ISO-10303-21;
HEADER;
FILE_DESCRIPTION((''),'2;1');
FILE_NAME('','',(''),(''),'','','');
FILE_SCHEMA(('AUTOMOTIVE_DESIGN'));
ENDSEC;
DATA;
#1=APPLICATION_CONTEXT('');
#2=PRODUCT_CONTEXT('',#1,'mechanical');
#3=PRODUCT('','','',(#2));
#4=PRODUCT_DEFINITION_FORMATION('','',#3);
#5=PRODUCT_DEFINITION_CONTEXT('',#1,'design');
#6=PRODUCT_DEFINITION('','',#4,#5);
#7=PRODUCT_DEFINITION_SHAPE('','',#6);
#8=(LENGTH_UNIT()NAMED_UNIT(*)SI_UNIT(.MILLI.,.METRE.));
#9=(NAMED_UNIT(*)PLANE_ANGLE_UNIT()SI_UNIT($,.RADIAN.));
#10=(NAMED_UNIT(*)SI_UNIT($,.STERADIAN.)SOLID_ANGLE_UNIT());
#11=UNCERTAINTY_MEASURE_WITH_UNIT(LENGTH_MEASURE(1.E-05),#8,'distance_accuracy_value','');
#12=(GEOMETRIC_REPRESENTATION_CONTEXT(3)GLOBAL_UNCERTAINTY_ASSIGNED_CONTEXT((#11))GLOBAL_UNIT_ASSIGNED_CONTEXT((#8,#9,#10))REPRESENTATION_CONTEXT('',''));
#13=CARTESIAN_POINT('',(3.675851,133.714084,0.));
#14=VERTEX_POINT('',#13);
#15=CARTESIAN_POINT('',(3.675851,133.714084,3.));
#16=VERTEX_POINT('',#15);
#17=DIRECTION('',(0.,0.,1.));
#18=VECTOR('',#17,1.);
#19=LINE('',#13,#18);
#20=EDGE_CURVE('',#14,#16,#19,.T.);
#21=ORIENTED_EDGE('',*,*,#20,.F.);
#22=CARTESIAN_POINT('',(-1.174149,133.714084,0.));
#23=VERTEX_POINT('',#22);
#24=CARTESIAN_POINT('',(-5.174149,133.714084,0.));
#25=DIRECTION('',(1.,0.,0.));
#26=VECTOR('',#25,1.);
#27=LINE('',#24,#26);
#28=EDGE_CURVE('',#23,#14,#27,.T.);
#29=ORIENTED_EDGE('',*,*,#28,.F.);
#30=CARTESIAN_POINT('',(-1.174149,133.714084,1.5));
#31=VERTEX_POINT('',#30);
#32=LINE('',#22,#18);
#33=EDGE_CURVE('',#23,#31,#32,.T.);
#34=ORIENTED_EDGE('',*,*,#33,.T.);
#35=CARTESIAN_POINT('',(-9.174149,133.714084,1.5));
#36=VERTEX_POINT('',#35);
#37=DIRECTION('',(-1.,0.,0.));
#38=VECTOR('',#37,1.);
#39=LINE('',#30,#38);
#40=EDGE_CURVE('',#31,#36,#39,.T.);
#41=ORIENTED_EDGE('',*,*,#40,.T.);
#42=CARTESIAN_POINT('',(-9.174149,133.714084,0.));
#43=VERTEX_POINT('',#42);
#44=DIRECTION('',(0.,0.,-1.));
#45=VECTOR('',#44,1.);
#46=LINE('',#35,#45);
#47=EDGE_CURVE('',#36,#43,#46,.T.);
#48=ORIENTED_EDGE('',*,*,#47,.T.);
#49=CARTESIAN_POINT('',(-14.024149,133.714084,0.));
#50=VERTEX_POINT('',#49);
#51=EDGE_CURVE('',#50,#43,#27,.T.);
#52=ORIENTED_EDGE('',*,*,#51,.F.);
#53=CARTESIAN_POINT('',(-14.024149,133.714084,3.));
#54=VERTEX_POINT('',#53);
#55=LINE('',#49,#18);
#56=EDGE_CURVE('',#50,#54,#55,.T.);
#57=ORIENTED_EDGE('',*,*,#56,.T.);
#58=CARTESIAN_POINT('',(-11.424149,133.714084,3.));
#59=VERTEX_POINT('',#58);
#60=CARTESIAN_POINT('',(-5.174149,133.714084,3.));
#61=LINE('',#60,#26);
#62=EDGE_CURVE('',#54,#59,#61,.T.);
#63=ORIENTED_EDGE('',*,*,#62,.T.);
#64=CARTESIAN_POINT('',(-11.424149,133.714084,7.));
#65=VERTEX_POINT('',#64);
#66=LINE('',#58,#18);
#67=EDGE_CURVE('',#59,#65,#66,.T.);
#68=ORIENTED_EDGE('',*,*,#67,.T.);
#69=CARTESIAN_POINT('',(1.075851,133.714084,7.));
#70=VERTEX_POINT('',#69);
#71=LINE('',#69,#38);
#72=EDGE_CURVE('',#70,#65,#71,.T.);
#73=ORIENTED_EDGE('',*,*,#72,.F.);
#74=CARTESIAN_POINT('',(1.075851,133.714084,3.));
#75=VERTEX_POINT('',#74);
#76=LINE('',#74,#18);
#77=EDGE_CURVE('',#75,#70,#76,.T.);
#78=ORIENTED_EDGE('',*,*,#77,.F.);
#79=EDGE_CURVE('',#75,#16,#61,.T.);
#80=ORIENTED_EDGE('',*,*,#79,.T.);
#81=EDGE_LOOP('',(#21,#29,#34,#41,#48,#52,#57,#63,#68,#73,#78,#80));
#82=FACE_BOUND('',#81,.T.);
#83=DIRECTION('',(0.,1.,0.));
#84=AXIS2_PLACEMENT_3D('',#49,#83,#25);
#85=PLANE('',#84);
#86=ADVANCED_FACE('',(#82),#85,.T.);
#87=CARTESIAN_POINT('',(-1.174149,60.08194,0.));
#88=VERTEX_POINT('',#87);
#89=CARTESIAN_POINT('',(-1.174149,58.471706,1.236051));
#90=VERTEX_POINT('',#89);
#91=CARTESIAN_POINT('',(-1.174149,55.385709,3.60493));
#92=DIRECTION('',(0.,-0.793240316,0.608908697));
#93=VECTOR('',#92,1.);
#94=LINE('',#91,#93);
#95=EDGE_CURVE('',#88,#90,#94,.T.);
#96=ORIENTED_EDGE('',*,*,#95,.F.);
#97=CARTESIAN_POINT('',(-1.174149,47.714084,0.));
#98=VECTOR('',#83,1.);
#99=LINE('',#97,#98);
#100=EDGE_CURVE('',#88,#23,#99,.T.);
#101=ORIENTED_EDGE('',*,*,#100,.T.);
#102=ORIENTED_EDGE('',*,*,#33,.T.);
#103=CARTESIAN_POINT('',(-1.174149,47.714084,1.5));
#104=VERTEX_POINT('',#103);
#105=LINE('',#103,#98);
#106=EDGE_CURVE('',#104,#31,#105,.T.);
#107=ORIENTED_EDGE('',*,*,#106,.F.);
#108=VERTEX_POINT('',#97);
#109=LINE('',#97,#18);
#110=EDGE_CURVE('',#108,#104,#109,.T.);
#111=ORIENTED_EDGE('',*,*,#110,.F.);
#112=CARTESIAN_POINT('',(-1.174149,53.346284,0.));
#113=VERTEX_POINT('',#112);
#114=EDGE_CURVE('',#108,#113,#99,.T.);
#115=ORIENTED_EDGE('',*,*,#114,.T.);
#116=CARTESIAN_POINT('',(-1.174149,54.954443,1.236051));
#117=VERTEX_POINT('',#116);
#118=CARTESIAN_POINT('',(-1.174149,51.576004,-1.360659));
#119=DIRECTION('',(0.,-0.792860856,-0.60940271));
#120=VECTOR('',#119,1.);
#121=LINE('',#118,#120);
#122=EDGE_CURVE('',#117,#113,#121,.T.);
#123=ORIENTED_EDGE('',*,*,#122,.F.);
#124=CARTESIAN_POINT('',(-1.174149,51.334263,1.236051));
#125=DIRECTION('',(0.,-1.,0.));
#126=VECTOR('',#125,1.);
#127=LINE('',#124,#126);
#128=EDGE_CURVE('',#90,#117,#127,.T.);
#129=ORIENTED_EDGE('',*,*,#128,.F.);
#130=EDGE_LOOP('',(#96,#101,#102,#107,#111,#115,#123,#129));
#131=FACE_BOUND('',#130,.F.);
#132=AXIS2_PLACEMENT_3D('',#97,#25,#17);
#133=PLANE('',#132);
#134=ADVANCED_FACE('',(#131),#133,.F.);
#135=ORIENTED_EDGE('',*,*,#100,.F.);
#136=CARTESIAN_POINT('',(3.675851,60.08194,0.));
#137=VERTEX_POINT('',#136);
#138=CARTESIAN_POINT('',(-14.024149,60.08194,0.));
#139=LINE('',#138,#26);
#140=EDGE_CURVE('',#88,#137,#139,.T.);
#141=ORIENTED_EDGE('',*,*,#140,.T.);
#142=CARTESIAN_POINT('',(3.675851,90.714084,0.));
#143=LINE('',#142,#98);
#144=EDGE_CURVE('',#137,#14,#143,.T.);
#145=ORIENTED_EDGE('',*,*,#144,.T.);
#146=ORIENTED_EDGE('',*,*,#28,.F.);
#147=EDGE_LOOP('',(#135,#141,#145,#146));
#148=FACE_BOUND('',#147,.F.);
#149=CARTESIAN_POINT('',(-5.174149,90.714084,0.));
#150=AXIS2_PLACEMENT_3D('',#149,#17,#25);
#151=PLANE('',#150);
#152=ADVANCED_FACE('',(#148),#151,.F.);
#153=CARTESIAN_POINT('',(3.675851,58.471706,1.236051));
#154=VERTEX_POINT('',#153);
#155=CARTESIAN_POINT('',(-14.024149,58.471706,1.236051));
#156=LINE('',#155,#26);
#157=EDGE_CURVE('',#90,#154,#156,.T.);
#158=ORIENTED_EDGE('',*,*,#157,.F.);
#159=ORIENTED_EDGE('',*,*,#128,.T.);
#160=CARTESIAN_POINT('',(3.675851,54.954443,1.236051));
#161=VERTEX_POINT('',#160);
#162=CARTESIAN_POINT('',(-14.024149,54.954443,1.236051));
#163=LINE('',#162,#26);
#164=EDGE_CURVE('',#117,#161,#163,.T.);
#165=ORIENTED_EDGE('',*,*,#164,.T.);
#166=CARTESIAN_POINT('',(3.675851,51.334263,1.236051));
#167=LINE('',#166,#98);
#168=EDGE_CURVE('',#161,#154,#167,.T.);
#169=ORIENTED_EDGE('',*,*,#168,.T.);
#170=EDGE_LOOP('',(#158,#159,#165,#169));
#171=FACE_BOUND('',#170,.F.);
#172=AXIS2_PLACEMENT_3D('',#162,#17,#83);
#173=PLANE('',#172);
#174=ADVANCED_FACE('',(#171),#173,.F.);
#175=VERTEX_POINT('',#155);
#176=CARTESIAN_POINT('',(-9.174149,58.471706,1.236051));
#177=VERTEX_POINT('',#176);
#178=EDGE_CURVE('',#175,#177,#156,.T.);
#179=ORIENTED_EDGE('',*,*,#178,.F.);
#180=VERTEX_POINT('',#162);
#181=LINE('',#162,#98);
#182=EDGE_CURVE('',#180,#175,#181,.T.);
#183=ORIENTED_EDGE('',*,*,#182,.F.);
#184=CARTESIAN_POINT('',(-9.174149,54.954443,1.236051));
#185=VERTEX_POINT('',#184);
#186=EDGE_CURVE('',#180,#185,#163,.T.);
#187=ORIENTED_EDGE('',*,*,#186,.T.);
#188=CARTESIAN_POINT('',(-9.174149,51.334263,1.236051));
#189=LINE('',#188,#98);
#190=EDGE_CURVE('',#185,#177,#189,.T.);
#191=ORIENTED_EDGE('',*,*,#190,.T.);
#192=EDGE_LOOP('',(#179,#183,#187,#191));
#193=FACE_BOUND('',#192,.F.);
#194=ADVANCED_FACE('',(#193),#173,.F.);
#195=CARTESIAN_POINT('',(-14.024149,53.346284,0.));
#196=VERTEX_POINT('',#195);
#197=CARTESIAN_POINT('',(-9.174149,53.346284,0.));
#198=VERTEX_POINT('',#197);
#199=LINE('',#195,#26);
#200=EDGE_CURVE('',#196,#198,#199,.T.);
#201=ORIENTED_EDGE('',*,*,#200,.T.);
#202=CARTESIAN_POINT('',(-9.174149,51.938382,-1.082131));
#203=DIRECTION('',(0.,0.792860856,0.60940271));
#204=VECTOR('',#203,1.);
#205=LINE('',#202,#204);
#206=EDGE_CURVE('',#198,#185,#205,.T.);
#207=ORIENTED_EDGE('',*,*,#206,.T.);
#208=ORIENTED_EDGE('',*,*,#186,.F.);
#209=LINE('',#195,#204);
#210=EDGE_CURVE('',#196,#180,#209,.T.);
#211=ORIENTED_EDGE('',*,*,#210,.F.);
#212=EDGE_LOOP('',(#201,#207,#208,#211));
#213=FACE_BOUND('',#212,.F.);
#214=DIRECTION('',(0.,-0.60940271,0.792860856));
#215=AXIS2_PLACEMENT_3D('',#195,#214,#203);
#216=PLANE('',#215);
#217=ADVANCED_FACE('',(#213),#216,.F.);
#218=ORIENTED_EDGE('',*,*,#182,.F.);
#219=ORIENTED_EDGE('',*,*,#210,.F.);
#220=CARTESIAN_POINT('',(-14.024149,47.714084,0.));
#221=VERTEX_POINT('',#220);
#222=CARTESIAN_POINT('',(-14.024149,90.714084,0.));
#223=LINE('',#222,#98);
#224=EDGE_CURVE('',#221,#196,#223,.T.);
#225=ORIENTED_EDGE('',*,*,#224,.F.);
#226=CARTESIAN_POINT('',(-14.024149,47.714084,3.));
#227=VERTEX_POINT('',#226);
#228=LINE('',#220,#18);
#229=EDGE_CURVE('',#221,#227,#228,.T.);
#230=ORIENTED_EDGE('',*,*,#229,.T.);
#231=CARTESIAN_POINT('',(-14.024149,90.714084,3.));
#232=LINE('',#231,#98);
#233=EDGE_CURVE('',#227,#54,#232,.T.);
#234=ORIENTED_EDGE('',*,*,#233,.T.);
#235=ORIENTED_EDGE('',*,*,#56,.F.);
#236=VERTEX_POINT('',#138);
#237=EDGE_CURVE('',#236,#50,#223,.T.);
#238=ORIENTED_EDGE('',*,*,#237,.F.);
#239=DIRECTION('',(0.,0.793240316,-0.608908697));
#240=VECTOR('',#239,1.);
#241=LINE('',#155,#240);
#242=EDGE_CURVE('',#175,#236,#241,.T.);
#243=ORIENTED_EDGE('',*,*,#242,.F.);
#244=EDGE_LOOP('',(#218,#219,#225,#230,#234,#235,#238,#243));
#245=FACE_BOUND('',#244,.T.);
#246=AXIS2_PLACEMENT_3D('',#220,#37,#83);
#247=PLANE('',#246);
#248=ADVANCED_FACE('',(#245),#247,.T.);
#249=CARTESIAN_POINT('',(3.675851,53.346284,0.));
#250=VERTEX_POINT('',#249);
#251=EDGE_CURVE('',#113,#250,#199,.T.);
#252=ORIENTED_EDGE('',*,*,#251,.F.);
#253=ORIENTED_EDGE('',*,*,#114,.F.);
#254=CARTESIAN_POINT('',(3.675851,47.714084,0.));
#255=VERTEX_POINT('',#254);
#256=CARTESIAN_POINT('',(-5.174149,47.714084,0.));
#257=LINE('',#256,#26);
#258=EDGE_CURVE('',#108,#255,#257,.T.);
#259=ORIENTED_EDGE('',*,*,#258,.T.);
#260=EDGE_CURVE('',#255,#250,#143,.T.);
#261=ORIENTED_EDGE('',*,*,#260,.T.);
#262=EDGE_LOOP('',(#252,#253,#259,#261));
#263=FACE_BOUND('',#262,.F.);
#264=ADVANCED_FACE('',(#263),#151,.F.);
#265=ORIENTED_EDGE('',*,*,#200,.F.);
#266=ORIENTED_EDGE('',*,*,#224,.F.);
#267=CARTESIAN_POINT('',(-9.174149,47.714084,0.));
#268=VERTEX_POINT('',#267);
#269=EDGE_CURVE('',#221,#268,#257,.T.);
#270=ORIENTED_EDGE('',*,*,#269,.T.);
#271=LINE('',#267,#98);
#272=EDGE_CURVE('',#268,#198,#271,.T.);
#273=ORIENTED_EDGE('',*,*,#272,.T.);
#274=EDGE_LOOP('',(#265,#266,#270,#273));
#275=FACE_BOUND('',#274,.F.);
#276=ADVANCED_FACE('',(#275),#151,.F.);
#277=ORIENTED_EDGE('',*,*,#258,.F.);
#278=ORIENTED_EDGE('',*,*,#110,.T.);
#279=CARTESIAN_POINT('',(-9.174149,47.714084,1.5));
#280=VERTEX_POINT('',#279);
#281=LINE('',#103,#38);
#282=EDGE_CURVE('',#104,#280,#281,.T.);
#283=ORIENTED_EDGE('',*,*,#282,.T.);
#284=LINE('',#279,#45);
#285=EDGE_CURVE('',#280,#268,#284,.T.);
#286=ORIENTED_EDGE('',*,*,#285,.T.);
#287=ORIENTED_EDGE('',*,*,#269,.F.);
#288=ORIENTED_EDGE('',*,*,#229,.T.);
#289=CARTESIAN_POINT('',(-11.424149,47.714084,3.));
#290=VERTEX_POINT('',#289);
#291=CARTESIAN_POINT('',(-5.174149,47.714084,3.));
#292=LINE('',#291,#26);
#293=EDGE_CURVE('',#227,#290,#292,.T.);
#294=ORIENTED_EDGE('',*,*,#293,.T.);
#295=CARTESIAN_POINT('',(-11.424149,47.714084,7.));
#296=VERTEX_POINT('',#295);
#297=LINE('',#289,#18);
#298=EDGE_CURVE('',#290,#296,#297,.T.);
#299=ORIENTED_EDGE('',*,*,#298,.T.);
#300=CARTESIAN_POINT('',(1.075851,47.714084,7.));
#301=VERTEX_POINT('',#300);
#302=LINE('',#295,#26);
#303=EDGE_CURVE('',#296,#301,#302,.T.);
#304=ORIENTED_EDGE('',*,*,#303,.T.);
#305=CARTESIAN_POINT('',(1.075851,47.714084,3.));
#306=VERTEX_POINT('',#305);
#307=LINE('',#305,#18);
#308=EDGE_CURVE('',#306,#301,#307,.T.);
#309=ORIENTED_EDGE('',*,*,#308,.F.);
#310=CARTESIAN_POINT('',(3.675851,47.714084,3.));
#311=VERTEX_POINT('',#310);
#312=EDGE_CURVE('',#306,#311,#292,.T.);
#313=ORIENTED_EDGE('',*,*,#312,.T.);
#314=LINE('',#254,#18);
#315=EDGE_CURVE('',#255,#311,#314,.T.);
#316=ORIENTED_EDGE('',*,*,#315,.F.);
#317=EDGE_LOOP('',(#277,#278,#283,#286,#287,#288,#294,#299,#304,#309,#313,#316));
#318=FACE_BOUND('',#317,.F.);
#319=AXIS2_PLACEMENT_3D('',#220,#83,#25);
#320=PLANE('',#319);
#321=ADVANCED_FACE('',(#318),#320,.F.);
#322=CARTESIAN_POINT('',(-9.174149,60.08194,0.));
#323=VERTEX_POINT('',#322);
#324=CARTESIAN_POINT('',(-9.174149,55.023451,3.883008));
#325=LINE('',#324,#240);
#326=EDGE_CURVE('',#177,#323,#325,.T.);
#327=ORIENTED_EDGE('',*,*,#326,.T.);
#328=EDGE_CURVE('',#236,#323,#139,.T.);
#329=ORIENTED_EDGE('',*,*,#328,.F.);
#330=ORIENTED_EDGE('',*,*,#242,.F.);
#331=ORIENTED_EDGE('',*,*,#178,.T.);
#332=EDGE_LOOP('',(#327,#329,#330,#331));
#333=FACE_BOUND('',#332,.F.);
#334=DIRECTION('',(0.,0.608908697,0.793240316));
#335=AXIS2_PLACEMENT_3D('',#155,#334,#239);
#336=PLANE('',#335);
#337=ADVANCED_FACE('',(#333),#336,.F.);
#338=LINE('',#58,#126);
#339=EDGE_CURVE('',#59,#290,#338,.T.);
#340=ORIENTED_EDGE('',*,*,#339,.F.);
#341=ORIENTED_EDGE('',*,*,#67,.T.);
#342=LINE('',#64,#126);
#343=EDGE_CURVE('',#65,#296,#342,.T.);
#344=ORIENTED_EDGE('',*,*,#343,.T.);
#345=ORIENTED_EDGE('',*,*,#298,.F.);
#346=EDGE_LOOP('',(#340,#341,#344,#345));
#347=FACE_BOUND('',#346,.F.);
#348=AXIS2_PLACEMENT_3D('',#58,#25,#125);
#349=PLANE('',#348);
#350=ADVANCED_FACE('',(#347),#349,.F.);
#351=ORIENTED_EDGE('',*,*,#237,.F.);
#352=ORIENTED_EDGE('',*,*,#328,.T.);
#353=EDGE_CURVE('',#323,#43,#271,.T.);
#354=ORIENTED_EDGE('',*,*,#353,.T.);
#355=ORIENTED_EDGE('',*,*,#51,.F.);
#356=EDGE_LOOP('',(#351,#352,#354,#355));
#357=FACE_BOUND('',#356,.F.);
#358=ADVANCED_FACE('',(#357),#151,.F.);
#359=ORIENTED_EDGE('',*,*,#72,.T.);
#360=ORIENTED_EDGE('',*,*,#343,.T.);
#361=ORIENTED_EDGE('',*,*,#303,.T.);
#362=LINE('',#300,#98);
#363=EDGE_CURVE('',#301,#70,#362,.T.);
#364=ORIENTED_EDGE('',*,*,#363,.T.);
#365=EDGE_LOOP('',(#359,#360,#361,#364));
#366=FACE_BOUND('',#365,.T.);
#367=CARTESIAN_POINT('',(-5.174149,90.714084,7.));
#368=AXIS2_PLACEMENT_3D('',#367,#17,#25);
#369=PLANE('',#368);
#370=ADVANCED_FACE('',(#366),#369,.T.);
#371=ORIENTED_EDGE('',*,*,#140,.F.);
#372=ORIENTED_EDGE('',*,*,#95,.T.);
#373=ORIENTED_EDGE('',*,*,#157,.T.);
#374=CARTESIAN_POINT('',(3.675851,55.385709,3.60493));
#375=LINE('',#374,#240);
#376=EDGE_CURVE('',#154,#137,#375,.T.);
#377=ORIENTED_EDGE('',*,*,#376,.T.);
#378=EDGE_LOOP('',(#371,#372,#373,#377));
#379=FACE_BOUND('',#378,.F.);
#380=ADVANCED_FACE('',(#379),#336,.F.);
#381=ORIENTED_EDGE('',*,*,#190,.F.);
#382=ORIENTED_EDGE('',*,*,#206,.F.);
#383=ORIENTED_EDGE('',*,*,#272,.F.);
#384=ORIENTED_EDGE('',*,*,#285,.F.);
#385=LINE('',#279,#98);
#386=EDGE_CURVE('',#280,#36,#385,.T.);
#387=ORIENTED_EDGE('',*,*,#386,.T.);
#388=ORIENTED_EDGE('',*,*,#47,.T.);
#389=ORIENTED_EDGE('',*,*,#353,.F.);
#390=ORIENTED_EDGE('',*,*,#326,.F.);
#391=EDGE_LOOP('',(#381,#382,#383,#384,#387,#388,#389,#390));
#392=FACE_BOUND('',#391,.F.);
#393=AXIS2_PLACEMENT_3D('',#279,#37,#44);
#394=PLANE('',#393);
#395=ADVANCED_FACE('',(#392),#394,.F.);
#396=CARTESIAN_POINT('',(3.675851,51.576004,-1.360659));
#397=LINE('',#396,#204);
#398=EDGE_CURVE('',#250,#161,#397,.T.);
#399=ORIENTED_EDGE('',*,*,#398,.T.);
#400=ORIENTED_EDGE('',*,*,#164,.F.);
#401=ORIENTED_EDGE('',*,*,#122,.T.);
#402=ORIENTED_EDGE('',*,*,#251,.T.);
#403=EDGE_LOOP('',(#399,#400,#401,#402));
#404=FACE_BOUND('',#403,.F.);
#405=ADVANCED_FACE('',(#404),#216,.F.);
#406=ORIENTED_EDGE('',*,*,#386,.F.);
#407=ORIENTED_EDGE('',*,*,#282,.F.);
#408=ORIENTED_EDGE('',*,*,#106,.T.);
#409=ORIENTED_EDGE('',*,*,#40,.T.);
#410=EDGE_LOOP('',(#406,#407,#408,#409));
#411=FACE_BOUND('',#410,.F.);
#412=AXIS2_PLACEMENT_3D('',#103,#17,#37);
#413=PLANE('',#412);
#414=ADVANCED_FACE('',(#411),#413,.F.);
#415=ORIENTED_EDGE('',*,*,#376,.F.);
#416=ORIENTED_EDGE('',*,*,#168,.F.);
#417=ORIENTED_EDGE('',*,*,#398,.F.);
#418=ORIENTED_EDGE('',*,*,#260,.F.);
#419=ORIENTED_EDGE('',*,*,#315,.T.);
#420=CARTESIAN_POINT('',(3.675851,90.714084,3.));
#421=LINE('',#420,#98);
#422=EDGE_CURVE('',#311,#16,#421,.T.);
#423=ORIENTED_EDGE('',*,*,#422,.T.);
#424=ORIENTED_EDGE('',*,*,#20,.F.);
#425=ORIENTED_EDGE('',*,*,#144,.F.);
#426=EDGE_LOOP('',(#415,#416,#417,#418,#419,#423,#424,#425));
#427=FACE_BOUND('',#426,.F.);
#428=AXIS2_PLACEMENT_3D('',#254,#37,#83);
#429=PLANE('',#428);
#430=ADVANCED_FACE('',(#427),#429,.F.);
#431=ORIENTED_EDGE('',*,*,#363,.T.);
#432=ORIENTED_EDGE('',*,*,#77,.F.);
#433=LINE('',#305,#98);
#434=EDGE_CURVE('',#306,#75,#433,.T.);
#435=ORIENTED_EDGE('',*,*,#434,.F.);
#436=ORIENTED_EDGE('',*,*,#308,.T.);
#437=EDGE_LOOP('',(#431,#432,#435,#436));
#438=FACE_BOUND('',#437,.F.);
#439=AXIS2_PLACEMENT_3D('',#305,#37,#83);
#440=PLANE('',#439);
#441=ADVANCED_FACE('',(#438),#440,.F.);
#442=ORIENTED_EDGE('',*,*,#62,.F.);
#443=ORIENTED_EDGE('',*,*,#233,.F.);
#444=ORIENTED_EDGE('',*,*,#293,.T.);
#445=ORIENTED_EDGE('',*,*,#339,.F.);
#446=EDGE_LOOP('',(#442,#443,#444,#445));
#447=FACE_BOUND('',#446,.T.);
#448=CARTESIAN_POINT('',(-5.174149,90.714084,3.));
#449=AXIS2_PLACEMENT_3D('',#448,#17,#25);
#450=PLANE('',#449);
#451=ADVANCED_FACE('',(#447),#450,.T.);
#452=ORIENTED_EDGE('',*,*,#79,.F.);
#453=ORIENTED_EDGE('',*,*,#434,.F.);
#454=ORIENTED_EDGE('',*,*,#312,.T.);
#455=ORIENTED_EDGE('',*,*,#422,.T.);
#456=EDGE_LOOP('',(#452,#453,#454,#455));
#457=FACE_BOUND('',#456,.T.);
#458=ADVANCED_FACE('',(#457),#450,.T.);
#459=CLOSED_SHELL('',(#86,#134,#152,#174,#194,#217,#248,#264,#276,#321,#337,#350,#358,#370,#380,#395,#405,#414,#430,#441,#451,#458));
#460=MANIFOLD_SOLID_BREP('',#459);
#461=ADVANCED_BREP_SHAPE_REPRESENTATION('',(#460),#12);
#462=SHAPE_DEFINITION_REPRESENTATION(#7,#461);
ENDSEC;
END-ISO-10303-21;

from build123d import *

# Parameters (mm, degrees)
F0_W     = 17.7
F0_H     = 86
F1_DEPTH = 3
F3_DEPTH = 4
F5_DEPTH = 86
F7_DEPTH = 25


with BuildPart() as f1:
    # F0 (on Top) → F1 (new body)
    with BuildSketch(Plane.XY):
        with Locations((-5.174149, 90.714084)):
            Rectangle(F0_W, F0_H)
    extrude(amount=F1_DEPTH)

    # F2 (on face) → F3 (join)
    with BuildSketch(Plane.XY.offset(3)):
        Polygon((-11.424149, 47.714084), (-5.174149, 47.714084), (1.075851, 47.714084), (1.075851, 133.714084), (-11.424149, 133.714084), align=None)
    extrude(amount=F3_DEPTH)

    # F4 (on face) → F5 (cut)
    with BuildSketch(Plane.XZ.offset(-47.714084)):
        Polygon((-9.174149, 0), (-5.174149, 0), (-1.174149, 0), (-1.174149, 1.5), (-9.174149, 1.5), align=None)
    extrude(amount=-F5_DEPTH, mode=Mode.SUBTRACT)

    # F6 (on face) → F7 (cut)
    with BuildSketch(Plane(origin=(-14.024149, 0, 0), x_dir=(0, -1, 0), z_dir=(-1, 0, 0))):
        Polygon((-60.08194, 0), (-53.346284, 0), (-54.954443, 1.236051), (-58.471706, 1.236051), align=None)
    extrude(amount=-F7_DEPTH, mode=Mode.SUBTRACT)


solid = f1.part
